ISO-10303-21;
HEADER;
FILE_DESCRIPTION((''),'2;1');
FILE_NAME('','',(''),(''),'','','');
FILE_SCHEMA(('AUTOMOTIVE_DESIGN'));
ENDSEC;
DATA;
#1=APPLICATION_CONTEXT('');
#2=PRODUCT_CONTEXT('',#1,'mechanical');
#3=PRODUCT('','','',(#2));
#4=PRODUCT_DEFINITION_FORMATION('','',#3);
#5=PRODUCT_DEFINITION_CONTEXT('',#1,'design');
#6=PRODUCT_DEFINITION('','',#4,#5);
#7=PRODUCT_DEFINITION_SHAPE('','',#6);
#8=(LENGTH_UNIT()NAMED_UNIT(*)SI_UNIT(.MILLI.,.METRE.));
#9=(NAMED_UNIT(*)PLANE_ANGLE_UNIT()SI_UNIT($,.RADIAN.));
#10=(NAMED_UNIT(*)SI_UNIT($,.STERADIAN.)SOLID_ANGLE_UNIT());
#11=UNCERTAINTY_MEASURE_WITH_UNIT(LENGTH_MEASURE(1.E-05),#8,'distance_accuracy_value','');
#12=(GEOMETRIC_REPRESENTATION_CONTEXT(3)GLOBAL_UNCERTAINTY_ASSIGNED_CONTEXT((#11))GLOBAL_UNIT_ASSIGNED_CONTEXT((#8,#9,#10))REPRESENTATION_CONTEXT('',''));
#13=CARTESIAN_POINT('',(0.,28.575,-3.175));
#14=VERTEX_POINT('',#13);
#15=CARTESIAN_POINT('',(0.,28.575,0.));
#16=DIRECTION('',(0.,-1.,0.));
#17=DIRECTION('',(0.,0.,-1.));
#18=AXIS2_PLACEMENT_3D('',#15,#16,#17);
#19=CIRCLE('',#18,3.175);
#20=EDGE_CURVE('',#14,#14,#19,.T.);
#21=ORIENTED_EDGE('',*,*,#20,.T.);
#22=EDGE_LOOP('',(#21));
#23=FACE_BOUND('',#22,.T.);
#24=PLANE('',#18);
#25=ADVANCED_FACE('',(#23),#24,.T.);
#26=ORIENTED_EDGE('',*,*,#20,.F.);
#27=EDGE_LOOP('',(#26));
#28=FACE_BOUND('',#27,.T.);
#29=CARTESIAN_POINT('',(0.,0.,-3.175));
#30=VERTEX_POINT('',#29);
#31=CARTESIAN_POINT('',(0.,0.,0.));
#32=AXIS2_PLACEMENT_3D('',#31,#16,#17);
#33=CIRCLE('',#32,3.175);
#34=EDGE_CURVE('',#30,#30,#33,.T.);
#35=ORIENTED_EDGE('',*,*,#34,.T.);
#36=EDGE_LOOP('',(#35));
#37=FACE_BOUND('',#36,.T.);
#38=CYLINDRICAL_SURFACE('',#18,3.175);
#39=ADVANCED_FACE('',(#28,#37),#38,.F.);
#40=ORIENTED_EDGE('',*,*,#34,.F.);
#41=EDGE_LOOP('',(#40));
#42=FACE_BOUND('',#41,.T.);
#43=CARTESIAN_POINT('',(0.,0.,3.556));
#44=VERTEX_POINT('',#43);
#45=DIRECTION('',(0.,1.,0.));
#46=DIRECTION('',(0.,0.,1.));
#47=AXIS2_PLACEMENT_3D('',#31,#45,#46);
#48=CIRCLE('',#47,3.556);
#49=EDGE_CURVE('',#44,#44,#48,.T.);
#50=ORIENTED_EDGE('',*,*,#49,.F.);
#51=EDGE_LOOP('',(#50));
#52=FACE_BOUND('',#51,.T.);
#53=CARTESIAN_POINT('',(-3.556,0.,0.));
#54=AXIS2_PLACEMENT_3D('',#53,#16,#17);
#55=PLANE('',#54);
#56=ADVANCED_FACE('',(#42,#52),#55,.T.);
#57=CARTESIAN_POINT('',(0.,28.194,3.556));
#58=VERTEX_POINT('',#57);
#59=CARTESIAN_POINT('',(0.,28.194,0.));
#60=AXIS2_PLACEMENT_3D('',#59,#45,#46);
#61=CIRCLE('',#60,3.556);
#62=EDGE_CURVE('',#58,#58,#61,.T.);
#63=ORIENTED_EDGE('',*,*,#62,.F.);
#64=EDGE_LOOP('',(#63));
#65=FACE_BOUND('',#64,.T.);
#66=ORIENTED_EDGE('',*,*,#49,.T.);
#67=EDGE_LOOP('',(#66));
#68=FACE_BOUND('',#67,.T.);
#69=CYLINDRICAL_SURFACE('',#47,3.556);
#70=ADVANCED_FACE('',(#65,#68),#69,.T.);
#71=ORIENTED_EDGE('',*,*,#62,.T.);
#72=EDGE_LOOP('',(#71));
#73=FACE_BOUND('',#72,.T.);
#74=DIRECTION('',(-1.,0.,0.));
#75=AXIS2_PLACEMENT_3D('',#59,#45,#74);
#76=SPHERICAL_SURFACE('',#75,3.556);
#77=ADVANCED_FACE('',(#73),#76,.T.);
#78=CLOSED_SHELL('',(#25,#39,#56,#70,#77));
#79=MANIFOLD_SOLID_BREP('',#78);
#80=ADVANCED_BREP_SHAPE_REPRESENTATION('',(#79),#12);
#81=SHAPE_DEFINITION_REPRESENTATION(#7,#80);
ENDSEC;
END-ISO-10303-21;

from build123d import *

# Parameters (mm, degrees)
SKETCH2_R          = 3.175
CUT_EXTRUDE1_DEPTH = 28.575


with BuildPart() as part:
    # Sketch1 → Revolve1 (revolve)
    with BuildSketch(Plane.XY):
        with BuildLine():
            Line((-3.556, 0), (-3.556, 28.194))
            ThreePointArc((-3.556, 28.194), (-2.514471714, 30.708471714), (0, 31.75))
            Line((0, 31.75), (0, 0))
            Line((0, 0), (-3.556, 0))
        make_face()
    revolve(axis=Axis((0, 0, 0), (0, -1, 0)))

    # Sketch2 → Cut-Extrude1 (cut)
    with BuildSketch(Plane.XZ):
        Circle(SKETCH2_R)
    extrude(amount=-CUT_EXTRUDE1_DEPTH, mode=Mode.SUBTRACT)


solid = part.part
